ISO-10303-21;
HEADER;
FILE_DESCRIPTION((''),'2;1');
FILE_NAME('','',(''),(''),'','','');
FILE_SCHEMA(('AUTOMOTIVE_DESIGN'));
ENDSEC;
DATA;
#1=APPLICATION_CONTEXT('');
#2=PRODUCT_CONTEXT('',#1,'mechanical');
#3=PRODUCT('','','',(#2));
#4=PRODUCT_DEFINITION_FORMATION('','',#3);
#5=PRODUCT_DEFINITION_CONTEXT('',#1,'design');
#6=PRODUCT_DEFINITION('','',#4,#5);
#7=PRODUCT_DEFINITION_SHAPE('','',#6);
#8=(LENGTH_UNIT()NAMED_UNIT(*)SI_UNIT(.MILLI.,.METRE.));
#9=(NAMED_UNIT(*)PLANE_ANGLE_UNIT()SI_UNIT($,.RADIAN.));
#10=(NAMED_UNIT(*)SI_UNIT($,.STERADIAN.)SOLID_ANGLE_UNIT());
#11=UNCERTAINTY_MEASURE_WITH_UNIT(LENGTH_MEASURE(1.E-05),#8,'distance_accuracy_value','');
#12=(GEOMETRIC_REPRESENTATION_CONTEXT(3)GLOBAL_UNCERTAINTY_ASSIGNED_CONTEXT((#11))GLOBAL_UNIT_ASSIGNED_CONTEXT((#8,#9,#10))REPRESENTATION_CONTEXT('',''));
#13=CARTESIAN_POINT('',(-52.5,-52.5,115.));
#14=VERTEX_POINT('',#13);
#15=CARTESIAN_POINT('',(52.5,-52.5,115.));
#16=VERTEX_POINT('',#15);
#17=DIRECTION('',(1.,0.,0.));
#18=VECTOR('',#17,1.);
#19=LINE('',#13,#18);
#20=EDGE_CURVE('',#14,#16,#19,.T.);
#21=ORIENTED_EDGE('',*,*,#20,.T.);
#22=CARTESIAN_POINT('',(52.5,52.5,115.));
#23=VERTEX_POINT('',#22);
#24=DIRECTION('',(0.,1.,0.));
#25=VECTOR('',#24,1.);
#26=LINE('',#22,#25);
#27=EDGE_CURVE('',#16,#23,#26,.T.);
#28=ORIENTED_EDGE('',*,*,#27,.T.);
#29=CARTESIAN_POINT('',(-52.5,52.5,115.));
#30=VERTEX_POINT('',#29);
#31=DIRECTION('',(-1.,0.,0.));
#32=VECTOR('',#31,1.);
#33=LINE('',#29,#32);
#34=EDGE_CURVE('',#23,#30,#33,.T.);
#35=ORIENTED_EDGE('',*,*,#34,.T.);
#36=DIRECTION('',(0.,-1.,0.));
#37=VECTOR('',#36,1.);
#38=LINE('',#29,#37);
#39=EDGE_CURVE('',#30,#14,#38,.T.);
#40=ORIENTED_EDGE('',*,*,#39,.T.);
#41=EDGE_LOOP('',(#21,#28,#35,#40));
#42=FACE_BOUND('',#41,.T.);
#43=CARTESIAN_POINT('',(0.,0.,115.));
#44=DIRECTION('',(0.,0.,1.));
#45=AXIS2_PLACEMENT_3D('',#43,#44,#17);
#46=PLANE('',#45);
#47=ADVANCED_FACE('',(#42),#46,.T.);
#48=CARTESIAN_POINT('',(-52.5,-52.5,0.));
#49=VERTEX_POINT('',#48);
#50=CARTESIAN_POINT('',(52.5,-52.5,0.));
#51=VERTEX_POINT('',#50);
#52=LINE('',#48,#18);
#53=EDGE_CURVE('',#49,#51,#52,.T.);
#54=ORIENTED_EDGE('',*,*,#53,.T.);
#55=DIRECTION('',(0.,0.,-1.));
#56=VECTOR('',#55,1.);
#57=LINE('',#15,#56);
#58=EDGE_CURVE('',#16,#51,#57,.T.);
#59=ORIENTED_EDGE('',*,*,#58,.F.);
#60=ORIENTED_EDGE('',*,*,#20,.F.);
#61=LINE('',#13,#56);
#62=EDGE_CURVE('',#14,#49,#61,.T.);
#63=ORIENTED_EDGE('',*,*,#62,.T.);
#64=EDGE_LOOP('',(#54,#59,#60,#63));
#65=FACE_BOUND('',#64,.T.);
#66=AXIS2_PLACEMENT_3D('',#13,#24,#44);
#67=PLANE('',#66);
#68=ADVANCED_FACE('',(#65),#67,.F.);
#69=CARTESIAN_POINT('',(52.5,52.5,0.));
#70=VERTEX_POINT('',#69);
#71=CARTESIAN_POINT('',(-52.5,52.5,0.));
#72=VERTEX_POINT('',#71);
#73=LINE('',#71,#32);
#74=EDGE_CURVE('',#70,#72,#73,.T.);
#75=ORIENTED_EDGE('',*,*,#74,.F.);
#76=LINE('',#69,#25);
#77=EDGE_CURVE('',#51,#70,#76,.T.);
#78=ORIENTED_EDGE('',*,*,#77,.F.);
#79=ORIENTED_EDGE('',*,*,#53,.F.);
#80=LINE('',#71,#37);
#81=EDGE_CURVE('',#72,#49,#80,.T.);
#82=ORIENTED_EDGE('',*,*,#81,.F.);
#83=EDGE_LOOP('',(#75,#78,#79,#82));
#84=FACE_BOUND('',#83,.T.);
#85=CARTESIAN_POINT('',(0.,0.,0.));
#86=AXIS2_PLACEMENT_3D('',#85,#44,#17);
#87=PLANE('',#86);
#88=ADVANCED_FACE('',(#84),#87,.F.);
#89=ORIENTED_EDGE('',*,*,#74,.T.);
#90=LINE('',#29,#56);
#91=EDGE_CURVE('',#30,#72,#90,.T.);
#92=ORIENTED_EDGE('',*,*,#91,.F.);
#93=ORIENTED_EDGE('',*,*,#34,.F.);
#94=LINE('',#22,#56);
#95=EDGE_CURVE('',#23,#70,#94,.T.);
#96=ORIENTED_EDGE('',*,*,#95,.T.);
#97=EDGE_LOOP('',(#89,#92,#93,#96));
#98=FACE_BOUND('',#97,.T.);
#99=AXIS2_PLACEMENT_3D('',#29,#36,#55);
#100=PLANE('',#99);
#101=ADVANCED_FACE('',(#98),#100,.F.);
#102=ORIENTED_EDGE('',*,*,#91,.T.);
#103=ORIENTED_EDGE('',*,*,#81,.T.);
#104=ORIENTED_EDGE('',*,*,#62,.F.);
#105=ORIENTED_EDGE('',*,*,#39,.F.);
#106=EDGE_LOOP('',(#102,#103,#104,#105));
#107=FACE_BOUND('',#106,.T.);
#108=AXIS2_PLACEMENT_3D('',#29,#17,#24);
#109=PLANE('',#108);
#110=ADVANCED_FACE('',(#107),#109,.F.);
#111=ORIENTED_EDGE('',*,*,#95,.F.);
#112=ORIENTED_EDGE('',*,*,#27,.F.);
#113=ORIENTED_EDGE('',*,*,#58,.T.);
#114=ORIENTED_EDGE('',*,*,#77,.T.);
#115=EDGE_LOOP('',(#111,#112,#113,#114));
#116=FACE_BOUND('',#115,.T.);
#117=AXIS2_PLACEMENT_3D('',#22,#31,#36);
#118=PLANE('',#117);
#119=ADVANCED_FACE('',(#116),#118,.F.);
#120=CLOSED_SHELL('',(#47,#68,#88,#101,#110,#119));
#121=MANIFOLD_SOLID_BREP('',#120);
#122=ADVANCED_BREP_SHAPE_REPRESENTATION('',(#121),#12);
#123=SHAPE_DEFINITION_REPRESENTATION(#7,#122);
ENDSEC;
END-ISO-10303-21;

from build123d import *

# Parameters (mm, degrees)
ESQUISSE1_W        = 105
ESQUISSE1_H        = 105
BOSS_EXTRU_1_DEPTH = 115


with BuildPart() as part:
    # Esquisse1 → Boss.-Extru.1 (new body)
    with BuildSketch(Plane.XY):
        Rectangle(ESQUISSE1_W, ESQUISSE1_H)
    extrude(amount=BOSS_EXTRU_1_DEPTH)


solid = part.part
